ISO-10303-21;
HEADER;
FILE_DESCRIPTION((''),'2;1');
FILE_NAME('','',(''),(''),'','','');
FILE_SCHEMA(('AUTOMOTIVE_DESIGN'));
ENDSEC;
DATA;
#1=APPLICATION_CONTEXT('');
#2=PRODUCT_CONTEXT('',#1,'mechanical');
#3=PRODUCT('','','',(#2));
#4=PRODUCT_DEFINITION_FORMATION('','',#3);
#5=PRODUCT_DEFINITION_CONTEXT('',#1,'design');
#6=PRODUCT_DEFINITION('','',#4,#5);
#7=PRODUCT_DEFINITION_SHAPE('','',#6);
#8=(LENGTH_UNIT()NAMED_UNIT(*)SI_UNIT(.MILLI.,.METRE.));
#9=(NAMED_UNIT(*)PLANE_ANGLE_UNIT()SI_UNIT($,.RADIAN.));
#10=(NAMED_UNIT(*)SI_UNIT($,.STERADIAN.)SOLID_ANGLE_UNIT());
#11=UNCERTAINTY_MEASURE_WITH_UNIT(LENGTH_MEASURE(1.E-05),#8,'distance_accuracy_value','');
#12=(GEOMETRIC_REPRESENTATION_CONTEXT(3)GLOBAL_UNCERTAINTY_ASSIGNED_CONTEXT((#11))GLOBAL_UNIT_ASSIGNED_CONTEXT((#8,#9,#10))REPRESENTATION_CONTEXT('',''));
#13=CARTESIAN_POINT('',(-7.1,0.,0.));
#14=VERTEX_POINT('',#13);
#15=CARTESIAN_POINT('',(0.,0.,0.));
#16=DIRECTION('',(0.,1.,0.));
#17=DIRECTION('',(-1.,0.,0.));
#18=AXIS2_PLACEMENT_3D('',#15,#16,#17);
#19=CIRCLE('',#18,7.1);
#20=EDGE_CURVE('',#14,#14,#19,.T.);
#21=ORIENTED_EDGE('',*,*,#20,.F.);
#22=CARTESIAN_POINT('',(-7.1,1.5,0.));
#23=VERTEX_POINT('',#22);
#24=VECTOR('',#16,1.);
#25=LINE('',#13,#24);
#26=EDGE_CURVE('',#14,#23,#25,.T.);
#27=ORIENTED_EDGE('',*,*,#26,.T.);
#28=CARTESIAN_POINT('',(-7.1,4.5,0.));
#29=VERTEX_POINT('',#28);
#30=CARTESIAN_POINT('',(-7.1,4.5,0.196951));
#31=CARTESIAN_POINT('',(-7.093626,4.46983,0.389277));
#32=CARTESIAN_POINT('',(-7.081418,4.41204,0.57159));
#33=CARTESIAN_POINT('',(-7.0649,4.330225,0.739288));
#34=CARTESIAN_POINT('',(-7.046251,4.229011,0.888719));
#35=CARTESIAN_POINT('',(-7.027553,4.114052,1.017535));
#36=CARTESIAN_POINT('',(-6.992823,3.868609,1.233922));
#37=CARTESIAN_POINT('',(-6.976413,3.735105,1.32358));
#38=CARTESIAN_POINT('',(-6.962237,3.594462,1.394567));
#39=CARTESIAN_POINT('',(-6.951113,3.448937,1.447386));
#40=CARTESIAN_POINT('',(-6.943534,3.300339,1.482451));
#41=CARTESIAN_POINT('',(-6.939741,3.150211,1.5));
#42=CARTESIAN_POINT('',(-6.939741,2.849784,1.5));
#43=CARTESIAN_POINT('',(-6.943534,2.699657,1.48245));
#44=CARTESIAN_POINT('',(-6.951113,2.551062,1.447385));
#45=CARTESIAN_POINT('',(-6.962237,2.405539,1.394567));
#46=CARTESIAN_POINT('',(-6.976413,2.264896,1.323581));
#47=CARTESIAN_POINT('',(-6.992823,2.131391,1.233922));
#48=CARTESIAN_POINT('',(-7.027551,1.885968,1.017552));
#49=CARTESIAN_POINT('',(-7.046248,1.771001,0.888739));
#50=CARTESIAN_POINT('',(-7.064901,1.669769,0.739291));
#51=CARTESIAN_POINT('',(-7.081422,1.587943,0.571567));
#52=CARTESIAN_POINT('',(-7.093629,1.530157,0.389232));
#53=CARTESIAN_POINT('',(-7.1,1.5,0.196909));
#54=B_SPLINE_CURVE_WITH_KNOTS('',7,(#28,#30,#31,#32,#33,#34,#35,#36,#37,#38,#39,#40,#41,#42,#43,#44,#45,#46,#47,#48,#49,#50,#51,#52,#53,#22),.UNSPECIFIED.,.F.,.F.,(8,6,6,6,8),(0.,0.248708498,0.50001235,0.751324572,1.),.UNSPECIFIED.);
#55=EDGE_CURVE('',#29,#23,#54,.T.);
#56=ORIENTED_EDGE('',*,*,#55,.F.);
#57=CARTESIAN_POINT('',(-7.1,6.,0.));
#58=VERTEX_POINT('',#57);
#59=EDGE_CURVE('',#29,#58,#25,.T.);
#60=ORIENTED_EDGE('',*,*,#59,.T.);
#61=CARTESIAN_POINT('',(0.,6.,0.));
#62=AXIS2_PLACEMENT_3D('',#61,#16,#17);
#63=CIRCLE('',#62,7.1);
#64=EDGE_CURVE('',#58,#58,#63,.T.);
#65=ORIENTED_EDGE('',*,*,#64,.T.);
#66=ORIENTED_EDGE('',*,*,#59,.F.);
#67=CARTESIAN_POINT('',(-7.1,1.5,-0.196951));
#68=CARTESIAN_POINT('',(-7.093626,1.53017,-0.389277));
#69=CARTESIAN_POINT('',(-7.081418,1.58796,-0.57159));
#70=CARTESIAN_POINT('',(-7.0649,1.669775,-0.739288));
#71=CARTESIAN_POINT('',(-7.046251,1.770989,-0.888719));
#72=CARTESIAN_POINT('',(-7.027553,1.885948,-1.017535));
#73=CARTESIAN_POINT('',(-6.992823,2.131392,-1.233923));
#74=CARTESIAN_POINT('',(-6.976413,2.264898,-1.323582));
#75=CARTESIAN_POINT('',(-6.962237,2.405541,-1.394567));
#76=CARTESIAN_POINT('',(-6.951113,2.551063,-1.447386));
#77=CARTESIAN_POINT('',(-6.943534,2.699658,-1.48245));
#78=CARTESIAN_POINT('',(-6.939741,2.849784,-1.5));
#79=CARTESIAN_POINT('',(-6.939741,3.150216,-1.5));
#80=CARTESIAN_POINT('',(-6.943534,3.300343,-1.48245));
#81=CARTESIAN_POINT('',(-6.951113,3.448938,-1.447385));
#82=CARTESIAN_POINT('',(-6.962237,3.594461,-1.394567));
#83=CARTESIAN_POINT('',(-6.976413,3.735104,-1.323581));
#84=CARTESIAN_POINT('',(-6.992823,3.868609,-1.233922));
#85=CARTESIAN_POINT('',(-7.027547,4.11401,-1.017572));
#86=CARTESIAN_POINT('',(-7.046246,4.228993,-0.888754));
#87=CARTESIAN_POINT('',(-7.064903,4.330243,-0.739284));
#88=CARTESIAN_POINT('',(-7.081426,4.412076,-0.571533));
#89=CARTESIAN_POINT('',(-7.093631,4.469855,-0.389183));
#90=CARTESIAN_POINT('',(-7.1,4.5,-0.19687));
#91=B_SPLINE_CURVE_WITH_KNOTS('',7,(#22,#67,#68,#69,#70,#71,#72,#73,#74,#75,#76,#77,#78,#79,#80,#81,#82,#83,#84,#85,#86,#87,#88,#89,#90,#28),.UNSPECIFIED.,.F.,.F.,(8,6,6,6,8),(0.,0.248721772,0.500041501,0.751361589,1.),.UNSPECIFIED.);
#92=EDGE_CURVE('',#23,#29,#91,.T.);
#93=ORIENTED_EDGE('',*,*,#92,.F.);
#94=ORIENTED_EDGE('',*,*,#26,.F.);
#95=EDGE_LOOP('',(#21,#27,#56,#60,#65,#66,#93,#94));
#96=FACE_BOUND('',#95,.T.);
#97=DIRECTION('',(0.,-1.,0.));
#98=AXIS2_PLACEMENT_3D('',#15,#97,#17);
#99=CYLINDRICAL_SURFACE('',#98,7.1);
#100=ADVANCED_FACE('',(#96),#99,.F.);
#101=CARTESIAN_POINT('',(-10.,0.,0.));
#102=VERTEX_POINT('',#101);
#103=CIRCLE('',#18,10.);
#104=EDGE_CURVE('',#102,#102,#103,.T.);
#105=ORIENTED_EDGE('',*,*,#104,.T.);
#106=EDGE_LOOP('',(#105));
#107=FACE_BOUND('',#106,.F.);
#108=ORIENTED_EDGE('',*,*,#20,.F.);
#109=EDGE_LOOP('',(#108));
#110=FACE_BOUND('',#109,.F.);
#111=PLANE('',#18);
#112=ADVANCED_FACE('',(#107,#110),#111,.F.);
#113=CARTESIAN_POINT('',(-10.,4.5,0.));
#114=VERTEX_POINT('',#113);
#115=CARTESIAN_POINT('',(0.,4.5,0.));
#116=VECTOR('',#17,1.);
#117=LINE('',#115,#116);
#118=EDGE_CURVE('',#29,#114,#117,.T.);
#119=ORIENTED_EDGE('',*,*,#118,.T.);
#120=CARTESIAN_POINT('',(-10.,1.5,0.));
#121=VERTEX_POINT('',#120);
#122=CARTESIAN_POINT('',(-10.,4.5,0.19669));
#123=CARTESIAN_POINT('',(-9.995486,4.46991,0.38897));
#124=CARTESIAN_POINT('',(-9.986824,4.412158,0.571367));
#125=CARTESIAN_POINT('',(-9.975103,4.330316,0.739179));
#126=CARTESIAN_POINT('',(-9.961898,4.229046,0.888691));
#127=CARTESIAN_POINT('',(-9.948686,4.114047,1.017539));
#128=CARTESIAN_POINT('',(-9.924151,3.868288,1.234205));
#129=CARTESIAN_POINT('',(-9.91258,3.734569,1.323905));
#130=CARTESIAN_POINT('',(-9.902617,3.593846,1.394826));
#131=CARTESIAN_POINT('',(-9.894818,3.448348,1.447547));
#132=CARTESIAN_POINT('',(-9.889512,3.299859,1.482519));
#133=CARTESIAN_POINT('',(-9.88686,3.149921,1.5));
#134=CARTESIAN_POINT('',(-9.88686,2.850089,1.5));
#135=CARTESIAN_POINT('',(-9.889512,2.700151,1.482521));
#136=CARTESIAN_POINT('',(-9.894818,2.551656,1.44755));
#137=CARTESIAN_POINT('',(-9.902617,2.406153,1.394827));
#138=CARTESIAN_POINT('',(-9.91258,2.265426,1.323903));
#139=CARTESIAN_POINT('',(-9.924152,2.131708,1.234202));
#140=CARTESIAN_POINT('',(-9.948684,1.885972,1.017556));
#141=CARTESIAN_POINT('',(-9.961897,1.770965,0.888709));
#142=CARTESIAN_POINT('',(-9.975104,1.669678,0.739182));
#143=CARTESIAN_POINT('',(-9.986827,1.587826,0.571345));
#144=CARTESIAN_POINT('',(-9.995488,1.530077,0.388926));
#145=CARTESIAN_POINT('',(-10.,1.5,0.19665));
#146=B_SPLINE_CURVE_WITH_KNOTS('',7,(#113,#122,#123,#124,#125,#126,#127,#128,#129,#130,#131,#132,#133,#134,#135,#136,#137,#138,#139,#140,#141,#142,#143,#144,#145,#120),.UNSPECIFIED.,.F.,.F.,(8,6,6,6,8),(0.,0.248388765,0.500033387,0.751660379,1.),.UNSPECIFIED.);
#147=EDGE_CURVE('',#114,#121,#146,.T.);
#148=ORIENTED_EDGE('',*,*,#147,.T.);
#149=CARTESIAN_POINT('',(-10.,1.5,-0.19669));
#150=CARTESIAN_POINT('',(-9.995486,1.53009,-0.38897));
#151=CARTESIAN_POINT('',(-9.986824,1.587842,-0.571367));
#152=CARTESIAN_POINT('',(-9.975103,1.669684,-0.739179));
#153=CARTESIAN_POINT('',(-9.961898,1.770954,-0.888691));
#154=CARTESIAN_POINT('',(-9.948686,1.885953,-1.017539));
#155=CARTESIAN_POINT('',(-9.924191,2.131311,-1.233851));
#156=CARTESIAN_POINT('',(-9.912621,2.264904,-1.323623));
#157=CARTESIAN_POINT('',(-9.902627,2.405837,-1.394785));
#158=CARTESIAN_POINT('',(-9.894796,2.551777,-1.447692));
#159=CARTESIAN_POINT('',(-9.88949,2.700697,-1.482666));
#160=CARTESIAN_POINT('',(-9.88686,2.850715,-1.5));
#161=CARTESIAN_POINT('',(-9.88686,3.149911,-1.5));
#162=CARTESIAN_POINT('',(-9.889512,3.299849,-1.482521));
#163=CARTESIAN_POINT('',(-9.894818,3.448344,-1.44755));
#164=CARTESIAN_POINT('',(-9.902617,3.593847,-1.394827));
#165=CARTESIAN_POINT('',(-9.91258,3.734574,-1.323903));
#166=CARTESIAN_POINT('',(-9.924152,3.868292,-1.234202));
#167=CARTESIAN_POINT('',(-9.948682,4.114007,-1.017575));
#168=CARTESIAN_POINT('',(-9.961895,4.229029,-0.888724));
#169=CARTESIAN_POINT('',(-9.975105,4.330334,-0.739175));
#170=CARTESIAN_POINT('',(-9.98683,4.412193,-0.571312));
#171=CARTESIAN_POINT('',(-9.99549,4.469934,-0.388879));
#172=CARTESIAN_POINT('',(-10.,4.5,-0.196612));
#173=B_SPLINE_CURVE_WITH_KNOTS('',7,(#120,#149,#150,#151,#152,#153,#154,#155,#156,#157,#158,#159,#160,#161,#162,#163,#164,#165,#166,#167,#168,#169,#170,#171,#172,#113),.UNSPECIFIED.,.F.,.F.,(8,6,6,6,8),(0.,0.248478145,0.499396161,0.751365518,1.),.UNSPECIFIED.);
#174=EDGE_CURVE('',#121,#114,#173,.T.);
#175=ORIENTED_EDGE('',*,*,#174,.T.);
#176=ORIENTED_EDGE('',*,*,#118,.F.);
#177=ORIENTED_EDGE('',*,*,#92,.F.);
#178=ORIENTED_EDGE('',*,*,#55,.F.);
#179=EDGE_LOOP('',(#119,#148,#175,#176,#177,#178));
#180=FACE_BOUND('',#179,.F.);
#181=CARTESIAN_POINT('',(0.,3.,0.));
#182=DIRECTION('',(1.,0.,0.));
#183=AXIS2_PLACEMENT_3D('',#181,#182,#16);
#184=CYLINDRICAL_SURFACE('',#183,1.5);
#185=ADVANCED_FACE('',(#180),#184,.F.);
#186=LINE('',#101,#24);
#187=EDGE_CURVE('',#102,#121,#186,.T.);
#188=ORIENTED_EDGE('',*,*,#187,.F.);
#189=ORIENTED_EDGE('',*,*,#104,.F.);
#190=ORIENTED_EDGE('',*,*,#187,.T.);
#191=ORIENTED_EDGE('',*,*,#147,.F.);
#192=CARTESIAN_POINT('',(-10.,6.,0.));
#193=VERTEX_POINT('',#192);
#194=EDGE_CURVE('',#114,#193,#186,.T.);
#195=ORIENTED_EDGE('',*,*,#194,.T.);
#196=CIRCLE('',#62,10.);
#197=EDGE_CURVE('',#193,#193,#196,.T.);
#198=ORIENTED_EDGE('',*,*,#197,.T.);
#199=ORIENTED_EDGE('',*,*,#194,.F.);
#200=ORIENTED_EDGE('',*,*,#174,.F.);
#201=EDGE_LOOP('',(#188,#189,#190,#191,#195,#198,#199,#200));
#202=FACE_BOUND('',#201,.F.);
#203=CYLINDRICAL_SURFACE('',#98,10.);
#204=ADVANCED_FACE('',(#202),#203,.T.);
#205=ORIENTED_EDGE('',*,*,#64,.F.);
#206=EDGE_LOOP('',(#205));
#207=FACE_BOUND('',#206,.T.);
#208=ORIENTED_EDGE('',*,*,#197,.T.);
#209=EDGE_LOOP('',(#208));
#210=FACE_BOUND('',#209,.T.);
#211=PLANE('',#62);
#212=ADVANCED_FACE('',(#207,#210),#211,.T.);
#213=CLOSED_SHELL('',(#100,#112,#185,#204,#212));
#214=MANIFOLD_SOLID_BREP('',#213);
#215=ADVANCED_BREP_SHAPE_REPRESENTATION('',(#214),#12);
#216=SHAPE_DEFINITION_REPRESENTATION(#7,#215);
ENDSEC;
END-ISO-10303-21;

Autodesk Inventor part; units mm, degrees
ref_plane "YZ Plane" through (0, 0, 0) normal (1, 0, 0) x (0, 1, 0)
ref_plane "XZ Plane" through (0, 0, 0) normal (0, 1, 0) x (-1, 0, 0)
ref_plane "XY Plane" through (0, 0, 0) normal (0, 0, 1) x (1, 0, 0)
sketch "Sketch1" plane through (0, 0, 0) normal (0, 1, 0) x (-1, 0, 0)
  circle A0 centre (0, 0) radius 7.1
  circle A1 centre (0, 0) radius 10
  dimension "d0" = 14.2
  dimension "d1" = 20
extrude "Extrusion1" add sketch "Sketch1" along normal blind 6
sketch "Sketch2" plane through (0, 0, 0) normal (1, 0, 0) x (0, 1, 0)
  circle A0 centre (3, 0) radius 1.5
  line L0 (0, -10) -> (0, 10) projected
  point P0 (0, 0)
  dimension "d4" = 3
  dimension "d5" = 3
extrude "Extrusion2" cut sketch "Sketch2" against normal through all
properties part number "unwind_roller_adjuster"
